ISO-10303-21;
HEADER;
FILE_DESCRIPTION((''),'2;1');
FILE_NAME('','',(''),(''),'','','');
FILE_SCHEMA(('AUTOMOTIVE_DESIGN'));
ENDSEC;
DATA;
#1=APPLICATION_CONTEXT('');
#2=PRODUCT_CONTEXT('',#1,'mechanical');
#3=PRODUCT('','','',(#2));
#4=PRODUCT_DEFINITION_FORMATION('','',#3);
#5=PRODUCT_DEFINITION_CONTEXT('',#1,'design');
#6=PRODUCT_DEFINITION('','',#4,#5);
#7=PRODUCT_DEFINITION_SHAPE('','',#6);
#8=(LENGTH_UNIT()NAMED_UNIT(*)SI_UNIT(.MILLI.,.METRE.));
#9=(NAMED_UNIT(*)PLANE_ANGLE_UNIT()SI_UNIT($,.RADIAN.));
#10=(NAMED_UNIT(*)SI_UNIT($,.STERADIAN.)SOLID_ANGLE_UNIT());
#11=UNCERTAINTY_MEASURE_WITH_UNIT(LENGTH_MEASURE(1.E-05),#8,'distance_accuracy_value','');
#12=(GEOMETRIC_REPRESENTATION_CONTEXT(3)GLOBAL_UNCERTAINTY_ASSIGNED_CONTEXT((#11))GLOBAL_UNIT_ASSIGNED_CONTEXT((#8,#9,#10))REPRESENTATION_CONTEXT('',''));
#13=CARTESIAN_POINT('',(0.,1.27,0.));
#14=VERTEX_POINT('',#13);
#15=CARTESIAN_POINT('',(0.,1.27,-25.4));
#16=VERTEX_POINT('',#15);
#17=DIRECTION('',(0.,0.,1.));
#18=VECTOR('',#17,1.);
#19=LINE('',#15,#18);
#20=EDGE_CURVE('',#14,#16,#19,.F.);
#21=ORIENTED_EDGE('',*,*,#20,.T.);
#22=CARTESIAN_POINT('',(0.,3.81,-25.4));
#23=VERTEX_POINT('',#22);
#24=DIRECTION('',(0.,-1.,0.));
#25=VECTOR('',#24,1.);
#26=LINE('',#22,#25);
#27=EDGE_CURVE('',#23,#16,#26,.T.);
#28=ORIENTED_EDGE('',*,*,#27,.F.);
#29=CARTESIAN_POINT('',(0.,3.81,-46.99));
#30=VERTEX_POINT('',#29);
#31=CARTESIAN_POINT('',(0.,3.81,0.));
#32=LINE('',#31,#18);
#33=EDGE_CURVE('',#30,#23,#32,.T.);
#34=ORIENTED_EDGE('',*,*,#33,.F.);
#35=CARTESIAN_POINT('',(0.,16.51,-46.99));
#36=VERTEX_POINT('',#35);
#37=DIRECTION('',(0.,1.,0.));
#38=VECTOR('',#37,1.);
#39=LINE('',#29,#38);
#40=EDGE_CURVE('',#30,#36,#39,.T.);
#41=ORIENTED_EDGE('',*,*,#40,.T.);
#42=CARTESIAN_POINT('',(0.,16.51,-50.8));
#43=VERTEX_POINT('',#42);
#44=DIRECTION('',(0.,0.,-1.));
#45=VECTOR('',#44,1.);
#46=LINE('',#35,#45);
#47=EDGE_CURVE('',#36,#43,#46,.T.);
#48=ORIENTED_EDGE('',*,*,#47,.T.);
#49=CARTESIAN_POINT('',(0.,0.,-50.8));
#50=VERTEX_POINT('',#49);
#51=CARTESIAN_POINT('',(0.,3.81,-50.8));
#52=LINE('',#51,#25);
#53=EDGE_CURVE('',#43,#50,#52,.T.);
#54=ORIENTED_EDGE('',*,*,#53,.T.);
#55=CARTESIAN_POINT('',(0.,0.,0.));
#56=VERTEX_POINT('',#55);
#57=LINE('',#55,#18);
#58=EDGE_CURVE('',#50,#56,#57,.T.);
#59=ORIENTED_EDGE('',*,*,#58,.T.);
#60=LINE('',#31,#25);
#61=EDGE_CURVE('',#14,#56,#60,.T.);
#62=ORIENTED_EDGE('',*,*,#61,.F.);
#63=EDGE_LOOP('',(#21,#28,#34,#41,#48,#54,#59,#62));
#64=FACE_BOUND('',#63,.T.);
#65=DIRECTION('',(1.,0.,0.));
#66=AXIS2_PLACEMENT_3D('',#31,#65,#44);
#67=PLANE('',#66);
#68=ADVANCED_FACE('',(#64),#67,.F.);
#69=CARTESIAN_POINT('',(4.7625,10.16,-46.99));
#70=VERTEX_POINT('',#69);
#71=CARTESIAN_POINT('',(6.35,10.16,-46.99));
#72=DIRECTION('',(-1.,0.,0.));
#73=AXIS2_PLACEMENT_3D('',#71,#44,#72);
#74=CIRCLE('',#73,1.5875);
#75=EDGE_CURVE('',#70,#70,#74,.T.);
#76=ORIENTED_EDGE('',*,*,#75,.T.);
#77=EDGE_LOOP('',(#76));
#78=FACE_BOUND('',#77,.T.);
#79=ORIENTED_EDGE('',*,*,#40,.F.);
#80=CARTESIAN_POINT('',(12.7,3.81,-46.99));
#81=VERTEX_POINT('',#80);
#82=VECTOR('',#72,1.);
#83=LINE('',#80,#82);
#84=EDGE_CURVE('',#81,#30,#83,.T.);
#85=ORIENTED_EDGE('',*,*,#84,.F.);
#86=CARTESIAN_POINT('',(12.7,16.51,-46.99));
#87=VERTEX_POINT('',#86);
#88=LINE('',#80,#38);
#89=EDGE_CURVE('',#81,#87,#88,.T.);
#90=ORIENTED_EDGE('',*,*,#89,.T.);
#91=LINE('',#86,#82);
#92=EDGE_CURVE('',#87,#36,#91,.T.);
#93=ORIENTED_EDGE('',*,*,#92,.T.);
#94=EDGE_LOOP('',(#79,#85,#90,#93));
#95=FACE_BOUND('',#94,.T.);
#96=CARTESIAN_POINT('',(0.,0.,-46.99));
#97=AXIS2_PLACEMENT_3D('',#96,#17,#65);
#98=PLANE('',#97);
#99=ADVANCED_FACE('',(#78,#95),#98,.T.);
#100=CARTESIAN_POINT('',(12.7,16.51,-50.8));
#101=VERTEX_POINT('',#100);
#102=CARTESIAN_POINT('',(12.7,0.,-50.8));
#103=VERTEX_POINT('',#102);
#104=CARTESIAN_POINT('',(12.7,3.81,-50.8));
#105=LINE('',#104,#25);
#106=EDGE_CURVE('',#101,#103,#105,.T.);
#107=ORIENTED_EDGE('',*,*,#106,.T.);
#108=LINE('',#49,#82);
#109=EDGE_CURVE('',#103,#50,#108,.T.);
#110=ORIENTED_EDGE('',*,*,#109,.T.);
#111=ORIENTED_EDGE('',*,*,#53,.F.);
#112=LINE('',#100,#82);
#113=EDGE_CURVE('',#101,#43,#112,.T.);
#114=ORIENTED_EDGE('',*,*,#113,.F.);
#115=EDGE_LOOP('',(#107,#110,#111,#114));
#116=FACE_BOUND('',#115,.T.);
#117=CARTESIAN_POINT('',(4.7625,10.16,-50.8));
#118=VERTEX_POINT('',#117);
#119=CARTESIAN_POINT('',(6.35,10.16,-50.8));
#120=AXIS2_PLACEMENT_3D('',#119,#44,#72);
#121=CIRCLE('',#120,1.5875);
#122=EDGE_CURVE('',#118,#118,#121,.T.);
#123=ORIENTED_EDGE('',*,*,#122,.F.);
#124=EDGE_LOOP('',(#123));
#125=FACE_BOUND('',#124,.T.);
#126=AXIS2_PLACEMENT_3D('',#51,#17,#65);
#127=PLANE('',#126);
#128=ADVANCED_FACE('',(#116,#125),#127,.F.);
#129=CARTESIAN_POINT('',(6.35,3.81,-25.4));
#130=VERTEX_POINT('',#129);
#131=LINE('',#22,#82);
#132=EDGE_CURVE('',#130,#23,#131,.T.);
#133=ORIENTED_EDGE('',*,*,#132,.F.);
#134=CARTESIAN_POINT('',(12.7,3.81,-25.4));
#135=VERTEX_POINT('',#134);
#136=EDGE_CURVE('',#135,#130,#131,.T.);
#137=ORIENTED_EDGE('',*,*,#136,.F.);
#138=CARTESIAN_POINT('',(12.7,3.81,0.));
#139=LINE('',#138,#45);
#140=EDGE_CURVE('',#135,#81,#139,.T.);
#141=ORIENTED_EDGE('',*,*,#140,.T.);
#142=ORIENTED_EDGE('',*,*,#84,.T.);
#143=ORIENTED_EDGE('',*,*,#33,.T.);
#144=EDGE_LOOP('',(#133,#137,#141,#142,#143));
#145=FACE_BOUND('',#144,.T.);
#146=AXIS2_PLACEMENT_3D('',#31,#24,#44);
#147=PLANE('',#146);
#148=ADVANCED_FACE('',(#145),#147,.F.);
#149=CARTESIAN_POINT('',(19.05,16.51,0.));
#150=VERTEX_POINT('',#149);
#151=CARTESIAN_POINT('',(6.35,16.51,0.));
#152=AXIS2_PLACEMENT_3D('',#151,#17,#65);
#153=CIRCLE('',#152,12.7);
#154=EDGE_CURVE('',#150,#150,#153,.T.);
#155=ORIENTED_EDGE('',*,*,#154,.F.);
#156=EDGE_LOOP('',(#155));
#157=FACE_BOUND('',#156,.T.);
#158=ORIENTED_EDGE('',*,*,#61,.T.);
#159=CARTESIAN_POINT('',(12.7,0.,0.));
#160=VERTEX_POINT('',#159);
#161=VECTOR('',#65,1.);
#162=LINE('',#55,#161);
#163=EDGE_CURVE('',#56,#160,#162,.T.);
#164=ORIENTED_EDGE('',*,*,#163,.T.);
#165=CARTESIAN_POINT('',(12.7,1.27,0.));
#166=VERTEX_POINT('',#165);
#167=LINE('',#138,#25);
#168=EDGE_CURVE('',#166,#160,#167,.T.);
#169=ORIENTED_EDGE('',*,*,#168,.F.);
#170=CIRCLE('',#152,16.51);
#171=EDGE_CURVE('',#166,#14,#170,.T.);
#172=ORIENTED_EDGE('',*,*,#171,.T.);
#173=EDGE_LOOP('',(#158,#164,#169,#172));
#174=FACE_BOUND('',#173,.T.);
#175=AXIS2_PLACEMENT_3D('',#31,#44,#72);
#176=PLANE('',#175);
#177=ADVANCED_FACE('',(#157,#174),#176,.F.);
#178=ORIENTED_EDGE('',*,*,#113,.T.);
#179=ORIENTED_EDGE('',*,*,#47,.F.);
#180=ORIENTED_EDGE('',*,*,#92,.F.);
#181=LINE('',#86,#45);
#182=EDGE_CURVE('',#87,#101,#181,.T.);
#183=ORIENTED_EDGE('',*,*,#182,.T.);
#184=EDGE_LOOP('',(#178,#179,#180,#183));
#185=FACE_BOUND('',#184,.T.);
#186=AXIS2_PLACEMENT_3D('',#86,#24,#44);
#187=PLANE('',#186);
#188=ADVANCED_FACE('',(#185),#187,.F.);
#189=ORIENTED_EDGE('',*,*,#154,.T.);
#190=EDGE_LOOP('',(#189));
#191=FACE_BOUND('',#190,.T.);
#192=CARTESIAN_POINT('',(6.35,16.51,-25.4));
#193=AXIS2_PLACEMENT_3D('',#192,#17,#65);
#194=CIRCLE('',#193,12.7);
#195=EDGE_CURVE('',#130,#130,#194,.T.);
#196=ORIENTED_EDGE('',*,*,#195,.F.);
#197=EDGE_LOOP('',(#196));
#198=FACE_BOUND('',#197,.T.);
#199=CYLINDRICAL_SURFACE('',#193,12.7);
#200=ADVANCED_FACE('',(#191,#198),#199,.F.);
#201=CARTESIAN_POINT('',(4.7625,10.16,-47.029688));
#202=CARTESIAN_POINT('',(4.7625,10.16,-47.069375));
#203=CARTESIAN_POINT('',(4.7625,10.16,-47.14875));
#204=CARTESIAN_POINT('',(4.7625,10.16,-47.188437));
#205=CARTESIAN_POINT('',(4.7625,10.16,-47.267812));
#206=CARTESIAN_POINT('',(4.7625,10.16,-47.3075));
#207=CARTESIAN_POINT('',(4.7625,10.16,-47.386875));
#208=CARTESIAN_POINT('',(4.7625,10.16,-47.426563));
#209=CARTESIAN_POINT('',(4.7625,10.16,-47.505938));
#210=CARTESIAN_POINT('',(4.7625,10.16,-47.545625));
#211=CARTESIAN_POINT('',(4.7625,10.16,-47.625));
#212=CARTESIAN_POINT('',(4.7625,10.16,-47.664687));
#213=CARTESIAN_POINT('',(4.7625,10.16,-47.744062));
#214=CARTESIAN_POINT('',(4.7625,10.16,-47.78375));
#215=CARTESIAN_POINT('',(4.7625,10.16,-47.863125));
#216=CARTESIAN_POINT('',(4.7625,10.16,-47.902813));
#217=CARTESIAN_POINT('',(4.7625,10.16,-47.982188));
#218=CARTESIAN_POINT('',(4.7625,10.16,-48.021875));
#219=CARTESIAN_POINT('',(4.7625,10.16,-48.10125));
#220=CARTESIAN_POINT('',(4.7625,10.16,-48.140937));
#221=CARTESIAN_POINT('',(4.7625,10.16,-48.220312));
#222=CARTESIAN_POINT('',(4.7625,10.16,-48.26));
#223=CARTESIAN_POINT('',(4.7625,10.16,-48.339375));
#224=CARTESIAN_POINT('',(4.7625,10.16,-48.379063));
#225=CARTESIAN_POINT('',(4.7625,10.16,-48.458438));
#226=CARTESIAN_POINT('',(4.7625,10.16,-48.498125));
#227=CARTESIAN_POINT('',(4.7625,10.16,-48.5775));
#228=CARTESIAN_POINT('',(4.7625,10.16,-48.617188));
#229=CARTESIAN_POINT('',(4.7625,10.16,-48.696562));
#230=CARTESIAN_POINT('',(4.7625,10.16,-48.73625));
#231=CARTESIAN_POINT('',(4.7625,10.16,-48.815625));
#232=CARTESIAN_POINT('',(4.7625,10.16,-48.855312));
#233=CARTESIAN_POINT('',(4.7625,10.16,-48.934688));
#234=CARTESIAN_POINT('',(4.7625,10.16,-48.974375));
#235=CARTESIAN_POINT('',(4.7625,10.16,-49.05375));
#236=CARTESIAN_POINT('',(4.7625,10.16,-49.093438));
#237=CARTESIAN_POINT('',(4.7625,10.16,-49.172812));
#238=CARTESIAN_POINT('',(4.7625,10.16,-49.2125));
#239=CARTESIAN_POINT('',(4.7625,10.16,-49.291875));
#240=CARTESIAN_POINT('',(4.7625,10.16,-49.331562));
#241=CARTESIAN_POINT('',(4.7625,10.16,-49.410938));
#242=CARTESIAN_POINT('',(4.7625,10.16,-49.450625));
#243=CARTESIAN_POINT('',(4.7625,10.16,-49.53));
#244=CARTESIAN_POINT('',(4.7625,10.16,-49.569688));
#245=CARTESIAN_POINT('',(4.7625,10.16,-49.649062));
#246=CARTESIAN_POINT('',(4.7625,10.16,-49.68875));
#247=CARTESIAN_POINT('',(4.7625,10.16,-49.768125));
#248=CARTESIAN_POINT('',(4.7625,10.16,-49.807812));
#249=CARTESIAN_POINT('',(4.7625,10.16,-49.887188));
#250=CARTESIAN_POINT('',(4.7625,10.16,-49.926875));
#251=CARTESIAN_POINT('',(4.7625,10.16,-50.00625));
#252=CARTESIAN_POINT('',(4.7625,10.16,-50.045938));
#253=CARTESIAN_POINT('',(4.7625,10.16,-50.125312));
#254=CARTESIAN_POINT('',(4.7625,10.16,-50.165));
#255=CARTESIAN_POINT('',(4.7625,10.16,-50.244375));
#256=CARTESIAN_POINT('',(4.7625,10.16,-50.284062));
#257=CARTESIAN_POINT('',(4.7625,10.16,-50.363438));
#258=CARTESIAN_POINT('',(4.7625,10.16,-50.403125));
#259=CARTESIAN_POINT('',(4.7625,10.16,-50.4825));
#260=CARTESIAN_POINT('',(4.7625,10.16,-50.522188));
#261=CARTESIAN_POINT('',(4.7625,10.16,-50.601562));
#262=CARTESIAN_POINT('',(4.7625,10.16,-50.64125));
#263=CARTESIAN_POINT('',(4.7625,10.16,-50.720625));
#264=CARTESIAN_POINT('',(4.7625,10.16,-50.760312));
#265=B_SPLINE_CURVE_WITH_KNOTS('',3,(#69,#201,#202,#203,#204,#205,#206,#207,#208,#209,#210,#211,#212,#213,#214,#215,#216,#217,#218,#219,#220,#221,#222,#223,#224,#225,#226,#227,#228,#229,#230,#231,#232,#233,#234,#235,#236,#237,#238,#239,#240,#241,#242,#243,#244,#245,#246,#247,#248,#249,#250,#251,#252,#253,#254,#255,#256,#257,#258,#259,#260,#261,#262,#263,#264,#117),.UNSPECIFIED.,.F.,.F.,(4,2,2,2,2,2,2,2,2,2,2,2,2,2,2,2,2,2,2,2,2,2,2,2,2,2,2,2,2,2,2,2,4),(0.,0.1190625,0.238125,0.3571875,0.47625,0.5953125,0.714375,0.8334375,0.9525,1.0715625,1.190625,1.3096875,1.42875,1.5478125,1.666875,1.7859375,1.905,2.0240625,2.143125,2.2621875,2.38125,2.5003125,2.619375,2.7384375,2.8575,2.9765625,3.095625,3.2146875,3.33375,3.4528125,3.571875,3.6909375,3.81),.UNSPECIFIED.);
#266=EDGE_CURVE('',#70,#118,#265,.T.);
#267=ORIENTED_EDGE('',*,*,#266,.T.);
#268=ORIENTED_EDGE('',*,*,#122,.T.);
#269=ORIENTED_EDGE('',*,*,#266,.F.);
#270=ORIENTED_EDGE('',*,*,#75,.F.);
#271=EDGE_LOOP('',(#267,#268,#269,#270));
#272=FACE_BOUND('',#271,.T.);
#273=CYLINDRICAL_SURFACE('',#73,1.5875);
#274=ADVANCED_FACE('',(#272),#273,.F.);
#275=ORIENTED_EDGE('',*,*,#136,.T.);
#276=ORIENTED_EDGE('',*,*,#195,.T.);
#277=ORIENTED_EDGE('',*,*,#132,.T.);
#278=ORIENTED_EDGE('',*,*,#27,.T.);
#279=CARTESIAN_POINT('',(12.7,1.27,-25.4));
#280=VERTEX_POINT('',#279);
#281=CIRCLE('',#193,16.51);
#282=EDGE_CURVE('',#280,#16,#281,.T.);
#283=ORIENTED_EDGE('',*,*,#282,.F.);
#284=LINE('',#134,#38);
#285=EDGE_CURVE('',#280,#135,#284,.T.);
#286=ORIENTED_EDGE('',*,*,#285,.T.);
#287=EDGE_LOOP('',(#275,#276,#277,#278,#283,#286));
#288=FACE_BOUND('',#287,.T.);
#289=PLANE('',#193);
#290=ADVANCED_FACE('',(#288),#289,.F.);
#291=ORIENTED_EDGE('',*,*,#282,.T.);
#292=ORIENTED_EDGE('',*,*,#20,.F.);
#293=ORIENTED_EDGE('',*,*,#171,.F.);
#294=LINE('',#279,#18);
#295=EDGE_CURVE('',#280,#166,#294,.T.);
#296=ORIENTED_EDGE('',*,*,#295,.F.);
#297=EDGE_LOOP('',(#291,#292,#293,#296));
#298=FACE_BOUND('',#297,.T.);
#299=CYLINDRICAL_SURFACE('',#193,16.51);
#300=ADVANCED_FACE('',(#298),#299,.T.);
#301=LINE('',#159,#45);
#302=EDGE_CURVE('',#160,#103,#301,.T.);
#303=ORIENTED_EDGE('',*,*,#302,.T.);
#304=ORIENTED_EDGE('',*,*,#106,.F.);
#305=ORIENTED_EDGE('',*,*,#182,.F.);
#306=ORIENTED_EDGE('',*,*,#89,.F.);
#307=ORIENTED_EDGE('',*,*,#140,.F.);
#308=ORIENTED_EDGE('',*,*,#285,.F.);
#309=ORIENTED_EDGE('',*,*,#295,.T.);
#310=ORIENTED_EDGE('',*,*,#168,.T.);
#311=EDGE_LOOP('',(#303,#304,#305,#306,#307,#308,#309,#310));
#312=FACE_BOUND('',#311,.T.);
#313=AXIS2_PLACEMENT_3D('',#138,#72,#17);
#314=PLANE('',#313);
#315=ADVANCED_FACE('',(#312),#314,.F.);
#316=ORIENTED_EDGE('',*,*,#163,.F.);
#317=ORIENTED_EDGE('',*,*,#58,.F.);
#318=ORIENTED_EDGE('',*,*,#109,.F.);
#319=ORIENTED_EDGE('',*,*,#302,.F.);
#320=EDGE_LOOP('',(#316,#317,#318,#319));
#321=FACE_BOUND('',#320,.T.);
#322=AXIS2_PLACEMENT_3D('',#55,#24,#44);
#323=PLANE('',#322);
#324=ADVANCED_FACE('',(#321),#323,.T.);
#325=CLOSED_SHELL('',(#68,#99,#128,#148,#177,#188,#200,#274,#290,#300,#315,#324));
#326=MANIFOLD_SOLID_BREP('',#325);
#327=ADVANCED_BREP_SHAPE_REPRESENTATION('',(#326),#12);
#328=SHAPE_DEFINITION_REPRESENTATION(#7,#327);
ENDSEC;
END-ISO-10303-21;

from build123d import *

# Parameters (mm, degrees)
SKETCH1_W           = 12.7
SKETCH1_H           = 50.8
BOSS_EXTRUDE1_DEPTH = 3.81
SKETCH2_R           = 16.51
SKETCH2_R_2         = 12.7
BOSS_EXTRUDE2_DEPTH = 25.4
SKETCH3_W           = 12.7
SKETCH3_H           = 12.7
SKETCH3_R           = 1.5875
BOSS_EXTRUDE3_DEPTH = 3.81


with BuildPart() as part:
    # Sketch1 → Boss-Extrude1 (new body)
    with BuildSketch(Plane(origin=(0, 0, 0), x_dir=(1, 0, 0), z_dir=(0, 1, 0))):
        with Locations((6.35, 25.4)):
            Rectangle(SKETCH1_W, SKETCH1_H)
    extrude(amount=BOSS_EXTRUDE1_DEPTH)

    # Sketch2 → Boss-Extrude2 (add)
    with BuildSketch(Plane.XY):
        with Locations((6.35, 16.51)):
            Circle(SKETCH2_R)
        with Locations((6.35, 16.51)):
            Circle(SKETCH2_R_2, mode=Mode.SUBTRACT)
    extrude(amount=-BOSS_EXTRUDE2_DEPTH)

    # Sketch3 → Boss-Extrude3 (add)
    with BuildSketch(Plane(origin=(0, 0, -50.8), x_dir=(-1, 0, 0), z_dir=(0, 0, -1))):
        with Locations((-6.35, 10.16)):
            Rectangle(SKETCH3_W, SKETCH3_H)
        with Locations((-6.35, 10.16)):
            Circle(SKETCH3_R, mode=Mode.SUBTRACT)
    extrude(amount=-BOSS_EXTRUDE3_DEPTH)


solid = part.part
